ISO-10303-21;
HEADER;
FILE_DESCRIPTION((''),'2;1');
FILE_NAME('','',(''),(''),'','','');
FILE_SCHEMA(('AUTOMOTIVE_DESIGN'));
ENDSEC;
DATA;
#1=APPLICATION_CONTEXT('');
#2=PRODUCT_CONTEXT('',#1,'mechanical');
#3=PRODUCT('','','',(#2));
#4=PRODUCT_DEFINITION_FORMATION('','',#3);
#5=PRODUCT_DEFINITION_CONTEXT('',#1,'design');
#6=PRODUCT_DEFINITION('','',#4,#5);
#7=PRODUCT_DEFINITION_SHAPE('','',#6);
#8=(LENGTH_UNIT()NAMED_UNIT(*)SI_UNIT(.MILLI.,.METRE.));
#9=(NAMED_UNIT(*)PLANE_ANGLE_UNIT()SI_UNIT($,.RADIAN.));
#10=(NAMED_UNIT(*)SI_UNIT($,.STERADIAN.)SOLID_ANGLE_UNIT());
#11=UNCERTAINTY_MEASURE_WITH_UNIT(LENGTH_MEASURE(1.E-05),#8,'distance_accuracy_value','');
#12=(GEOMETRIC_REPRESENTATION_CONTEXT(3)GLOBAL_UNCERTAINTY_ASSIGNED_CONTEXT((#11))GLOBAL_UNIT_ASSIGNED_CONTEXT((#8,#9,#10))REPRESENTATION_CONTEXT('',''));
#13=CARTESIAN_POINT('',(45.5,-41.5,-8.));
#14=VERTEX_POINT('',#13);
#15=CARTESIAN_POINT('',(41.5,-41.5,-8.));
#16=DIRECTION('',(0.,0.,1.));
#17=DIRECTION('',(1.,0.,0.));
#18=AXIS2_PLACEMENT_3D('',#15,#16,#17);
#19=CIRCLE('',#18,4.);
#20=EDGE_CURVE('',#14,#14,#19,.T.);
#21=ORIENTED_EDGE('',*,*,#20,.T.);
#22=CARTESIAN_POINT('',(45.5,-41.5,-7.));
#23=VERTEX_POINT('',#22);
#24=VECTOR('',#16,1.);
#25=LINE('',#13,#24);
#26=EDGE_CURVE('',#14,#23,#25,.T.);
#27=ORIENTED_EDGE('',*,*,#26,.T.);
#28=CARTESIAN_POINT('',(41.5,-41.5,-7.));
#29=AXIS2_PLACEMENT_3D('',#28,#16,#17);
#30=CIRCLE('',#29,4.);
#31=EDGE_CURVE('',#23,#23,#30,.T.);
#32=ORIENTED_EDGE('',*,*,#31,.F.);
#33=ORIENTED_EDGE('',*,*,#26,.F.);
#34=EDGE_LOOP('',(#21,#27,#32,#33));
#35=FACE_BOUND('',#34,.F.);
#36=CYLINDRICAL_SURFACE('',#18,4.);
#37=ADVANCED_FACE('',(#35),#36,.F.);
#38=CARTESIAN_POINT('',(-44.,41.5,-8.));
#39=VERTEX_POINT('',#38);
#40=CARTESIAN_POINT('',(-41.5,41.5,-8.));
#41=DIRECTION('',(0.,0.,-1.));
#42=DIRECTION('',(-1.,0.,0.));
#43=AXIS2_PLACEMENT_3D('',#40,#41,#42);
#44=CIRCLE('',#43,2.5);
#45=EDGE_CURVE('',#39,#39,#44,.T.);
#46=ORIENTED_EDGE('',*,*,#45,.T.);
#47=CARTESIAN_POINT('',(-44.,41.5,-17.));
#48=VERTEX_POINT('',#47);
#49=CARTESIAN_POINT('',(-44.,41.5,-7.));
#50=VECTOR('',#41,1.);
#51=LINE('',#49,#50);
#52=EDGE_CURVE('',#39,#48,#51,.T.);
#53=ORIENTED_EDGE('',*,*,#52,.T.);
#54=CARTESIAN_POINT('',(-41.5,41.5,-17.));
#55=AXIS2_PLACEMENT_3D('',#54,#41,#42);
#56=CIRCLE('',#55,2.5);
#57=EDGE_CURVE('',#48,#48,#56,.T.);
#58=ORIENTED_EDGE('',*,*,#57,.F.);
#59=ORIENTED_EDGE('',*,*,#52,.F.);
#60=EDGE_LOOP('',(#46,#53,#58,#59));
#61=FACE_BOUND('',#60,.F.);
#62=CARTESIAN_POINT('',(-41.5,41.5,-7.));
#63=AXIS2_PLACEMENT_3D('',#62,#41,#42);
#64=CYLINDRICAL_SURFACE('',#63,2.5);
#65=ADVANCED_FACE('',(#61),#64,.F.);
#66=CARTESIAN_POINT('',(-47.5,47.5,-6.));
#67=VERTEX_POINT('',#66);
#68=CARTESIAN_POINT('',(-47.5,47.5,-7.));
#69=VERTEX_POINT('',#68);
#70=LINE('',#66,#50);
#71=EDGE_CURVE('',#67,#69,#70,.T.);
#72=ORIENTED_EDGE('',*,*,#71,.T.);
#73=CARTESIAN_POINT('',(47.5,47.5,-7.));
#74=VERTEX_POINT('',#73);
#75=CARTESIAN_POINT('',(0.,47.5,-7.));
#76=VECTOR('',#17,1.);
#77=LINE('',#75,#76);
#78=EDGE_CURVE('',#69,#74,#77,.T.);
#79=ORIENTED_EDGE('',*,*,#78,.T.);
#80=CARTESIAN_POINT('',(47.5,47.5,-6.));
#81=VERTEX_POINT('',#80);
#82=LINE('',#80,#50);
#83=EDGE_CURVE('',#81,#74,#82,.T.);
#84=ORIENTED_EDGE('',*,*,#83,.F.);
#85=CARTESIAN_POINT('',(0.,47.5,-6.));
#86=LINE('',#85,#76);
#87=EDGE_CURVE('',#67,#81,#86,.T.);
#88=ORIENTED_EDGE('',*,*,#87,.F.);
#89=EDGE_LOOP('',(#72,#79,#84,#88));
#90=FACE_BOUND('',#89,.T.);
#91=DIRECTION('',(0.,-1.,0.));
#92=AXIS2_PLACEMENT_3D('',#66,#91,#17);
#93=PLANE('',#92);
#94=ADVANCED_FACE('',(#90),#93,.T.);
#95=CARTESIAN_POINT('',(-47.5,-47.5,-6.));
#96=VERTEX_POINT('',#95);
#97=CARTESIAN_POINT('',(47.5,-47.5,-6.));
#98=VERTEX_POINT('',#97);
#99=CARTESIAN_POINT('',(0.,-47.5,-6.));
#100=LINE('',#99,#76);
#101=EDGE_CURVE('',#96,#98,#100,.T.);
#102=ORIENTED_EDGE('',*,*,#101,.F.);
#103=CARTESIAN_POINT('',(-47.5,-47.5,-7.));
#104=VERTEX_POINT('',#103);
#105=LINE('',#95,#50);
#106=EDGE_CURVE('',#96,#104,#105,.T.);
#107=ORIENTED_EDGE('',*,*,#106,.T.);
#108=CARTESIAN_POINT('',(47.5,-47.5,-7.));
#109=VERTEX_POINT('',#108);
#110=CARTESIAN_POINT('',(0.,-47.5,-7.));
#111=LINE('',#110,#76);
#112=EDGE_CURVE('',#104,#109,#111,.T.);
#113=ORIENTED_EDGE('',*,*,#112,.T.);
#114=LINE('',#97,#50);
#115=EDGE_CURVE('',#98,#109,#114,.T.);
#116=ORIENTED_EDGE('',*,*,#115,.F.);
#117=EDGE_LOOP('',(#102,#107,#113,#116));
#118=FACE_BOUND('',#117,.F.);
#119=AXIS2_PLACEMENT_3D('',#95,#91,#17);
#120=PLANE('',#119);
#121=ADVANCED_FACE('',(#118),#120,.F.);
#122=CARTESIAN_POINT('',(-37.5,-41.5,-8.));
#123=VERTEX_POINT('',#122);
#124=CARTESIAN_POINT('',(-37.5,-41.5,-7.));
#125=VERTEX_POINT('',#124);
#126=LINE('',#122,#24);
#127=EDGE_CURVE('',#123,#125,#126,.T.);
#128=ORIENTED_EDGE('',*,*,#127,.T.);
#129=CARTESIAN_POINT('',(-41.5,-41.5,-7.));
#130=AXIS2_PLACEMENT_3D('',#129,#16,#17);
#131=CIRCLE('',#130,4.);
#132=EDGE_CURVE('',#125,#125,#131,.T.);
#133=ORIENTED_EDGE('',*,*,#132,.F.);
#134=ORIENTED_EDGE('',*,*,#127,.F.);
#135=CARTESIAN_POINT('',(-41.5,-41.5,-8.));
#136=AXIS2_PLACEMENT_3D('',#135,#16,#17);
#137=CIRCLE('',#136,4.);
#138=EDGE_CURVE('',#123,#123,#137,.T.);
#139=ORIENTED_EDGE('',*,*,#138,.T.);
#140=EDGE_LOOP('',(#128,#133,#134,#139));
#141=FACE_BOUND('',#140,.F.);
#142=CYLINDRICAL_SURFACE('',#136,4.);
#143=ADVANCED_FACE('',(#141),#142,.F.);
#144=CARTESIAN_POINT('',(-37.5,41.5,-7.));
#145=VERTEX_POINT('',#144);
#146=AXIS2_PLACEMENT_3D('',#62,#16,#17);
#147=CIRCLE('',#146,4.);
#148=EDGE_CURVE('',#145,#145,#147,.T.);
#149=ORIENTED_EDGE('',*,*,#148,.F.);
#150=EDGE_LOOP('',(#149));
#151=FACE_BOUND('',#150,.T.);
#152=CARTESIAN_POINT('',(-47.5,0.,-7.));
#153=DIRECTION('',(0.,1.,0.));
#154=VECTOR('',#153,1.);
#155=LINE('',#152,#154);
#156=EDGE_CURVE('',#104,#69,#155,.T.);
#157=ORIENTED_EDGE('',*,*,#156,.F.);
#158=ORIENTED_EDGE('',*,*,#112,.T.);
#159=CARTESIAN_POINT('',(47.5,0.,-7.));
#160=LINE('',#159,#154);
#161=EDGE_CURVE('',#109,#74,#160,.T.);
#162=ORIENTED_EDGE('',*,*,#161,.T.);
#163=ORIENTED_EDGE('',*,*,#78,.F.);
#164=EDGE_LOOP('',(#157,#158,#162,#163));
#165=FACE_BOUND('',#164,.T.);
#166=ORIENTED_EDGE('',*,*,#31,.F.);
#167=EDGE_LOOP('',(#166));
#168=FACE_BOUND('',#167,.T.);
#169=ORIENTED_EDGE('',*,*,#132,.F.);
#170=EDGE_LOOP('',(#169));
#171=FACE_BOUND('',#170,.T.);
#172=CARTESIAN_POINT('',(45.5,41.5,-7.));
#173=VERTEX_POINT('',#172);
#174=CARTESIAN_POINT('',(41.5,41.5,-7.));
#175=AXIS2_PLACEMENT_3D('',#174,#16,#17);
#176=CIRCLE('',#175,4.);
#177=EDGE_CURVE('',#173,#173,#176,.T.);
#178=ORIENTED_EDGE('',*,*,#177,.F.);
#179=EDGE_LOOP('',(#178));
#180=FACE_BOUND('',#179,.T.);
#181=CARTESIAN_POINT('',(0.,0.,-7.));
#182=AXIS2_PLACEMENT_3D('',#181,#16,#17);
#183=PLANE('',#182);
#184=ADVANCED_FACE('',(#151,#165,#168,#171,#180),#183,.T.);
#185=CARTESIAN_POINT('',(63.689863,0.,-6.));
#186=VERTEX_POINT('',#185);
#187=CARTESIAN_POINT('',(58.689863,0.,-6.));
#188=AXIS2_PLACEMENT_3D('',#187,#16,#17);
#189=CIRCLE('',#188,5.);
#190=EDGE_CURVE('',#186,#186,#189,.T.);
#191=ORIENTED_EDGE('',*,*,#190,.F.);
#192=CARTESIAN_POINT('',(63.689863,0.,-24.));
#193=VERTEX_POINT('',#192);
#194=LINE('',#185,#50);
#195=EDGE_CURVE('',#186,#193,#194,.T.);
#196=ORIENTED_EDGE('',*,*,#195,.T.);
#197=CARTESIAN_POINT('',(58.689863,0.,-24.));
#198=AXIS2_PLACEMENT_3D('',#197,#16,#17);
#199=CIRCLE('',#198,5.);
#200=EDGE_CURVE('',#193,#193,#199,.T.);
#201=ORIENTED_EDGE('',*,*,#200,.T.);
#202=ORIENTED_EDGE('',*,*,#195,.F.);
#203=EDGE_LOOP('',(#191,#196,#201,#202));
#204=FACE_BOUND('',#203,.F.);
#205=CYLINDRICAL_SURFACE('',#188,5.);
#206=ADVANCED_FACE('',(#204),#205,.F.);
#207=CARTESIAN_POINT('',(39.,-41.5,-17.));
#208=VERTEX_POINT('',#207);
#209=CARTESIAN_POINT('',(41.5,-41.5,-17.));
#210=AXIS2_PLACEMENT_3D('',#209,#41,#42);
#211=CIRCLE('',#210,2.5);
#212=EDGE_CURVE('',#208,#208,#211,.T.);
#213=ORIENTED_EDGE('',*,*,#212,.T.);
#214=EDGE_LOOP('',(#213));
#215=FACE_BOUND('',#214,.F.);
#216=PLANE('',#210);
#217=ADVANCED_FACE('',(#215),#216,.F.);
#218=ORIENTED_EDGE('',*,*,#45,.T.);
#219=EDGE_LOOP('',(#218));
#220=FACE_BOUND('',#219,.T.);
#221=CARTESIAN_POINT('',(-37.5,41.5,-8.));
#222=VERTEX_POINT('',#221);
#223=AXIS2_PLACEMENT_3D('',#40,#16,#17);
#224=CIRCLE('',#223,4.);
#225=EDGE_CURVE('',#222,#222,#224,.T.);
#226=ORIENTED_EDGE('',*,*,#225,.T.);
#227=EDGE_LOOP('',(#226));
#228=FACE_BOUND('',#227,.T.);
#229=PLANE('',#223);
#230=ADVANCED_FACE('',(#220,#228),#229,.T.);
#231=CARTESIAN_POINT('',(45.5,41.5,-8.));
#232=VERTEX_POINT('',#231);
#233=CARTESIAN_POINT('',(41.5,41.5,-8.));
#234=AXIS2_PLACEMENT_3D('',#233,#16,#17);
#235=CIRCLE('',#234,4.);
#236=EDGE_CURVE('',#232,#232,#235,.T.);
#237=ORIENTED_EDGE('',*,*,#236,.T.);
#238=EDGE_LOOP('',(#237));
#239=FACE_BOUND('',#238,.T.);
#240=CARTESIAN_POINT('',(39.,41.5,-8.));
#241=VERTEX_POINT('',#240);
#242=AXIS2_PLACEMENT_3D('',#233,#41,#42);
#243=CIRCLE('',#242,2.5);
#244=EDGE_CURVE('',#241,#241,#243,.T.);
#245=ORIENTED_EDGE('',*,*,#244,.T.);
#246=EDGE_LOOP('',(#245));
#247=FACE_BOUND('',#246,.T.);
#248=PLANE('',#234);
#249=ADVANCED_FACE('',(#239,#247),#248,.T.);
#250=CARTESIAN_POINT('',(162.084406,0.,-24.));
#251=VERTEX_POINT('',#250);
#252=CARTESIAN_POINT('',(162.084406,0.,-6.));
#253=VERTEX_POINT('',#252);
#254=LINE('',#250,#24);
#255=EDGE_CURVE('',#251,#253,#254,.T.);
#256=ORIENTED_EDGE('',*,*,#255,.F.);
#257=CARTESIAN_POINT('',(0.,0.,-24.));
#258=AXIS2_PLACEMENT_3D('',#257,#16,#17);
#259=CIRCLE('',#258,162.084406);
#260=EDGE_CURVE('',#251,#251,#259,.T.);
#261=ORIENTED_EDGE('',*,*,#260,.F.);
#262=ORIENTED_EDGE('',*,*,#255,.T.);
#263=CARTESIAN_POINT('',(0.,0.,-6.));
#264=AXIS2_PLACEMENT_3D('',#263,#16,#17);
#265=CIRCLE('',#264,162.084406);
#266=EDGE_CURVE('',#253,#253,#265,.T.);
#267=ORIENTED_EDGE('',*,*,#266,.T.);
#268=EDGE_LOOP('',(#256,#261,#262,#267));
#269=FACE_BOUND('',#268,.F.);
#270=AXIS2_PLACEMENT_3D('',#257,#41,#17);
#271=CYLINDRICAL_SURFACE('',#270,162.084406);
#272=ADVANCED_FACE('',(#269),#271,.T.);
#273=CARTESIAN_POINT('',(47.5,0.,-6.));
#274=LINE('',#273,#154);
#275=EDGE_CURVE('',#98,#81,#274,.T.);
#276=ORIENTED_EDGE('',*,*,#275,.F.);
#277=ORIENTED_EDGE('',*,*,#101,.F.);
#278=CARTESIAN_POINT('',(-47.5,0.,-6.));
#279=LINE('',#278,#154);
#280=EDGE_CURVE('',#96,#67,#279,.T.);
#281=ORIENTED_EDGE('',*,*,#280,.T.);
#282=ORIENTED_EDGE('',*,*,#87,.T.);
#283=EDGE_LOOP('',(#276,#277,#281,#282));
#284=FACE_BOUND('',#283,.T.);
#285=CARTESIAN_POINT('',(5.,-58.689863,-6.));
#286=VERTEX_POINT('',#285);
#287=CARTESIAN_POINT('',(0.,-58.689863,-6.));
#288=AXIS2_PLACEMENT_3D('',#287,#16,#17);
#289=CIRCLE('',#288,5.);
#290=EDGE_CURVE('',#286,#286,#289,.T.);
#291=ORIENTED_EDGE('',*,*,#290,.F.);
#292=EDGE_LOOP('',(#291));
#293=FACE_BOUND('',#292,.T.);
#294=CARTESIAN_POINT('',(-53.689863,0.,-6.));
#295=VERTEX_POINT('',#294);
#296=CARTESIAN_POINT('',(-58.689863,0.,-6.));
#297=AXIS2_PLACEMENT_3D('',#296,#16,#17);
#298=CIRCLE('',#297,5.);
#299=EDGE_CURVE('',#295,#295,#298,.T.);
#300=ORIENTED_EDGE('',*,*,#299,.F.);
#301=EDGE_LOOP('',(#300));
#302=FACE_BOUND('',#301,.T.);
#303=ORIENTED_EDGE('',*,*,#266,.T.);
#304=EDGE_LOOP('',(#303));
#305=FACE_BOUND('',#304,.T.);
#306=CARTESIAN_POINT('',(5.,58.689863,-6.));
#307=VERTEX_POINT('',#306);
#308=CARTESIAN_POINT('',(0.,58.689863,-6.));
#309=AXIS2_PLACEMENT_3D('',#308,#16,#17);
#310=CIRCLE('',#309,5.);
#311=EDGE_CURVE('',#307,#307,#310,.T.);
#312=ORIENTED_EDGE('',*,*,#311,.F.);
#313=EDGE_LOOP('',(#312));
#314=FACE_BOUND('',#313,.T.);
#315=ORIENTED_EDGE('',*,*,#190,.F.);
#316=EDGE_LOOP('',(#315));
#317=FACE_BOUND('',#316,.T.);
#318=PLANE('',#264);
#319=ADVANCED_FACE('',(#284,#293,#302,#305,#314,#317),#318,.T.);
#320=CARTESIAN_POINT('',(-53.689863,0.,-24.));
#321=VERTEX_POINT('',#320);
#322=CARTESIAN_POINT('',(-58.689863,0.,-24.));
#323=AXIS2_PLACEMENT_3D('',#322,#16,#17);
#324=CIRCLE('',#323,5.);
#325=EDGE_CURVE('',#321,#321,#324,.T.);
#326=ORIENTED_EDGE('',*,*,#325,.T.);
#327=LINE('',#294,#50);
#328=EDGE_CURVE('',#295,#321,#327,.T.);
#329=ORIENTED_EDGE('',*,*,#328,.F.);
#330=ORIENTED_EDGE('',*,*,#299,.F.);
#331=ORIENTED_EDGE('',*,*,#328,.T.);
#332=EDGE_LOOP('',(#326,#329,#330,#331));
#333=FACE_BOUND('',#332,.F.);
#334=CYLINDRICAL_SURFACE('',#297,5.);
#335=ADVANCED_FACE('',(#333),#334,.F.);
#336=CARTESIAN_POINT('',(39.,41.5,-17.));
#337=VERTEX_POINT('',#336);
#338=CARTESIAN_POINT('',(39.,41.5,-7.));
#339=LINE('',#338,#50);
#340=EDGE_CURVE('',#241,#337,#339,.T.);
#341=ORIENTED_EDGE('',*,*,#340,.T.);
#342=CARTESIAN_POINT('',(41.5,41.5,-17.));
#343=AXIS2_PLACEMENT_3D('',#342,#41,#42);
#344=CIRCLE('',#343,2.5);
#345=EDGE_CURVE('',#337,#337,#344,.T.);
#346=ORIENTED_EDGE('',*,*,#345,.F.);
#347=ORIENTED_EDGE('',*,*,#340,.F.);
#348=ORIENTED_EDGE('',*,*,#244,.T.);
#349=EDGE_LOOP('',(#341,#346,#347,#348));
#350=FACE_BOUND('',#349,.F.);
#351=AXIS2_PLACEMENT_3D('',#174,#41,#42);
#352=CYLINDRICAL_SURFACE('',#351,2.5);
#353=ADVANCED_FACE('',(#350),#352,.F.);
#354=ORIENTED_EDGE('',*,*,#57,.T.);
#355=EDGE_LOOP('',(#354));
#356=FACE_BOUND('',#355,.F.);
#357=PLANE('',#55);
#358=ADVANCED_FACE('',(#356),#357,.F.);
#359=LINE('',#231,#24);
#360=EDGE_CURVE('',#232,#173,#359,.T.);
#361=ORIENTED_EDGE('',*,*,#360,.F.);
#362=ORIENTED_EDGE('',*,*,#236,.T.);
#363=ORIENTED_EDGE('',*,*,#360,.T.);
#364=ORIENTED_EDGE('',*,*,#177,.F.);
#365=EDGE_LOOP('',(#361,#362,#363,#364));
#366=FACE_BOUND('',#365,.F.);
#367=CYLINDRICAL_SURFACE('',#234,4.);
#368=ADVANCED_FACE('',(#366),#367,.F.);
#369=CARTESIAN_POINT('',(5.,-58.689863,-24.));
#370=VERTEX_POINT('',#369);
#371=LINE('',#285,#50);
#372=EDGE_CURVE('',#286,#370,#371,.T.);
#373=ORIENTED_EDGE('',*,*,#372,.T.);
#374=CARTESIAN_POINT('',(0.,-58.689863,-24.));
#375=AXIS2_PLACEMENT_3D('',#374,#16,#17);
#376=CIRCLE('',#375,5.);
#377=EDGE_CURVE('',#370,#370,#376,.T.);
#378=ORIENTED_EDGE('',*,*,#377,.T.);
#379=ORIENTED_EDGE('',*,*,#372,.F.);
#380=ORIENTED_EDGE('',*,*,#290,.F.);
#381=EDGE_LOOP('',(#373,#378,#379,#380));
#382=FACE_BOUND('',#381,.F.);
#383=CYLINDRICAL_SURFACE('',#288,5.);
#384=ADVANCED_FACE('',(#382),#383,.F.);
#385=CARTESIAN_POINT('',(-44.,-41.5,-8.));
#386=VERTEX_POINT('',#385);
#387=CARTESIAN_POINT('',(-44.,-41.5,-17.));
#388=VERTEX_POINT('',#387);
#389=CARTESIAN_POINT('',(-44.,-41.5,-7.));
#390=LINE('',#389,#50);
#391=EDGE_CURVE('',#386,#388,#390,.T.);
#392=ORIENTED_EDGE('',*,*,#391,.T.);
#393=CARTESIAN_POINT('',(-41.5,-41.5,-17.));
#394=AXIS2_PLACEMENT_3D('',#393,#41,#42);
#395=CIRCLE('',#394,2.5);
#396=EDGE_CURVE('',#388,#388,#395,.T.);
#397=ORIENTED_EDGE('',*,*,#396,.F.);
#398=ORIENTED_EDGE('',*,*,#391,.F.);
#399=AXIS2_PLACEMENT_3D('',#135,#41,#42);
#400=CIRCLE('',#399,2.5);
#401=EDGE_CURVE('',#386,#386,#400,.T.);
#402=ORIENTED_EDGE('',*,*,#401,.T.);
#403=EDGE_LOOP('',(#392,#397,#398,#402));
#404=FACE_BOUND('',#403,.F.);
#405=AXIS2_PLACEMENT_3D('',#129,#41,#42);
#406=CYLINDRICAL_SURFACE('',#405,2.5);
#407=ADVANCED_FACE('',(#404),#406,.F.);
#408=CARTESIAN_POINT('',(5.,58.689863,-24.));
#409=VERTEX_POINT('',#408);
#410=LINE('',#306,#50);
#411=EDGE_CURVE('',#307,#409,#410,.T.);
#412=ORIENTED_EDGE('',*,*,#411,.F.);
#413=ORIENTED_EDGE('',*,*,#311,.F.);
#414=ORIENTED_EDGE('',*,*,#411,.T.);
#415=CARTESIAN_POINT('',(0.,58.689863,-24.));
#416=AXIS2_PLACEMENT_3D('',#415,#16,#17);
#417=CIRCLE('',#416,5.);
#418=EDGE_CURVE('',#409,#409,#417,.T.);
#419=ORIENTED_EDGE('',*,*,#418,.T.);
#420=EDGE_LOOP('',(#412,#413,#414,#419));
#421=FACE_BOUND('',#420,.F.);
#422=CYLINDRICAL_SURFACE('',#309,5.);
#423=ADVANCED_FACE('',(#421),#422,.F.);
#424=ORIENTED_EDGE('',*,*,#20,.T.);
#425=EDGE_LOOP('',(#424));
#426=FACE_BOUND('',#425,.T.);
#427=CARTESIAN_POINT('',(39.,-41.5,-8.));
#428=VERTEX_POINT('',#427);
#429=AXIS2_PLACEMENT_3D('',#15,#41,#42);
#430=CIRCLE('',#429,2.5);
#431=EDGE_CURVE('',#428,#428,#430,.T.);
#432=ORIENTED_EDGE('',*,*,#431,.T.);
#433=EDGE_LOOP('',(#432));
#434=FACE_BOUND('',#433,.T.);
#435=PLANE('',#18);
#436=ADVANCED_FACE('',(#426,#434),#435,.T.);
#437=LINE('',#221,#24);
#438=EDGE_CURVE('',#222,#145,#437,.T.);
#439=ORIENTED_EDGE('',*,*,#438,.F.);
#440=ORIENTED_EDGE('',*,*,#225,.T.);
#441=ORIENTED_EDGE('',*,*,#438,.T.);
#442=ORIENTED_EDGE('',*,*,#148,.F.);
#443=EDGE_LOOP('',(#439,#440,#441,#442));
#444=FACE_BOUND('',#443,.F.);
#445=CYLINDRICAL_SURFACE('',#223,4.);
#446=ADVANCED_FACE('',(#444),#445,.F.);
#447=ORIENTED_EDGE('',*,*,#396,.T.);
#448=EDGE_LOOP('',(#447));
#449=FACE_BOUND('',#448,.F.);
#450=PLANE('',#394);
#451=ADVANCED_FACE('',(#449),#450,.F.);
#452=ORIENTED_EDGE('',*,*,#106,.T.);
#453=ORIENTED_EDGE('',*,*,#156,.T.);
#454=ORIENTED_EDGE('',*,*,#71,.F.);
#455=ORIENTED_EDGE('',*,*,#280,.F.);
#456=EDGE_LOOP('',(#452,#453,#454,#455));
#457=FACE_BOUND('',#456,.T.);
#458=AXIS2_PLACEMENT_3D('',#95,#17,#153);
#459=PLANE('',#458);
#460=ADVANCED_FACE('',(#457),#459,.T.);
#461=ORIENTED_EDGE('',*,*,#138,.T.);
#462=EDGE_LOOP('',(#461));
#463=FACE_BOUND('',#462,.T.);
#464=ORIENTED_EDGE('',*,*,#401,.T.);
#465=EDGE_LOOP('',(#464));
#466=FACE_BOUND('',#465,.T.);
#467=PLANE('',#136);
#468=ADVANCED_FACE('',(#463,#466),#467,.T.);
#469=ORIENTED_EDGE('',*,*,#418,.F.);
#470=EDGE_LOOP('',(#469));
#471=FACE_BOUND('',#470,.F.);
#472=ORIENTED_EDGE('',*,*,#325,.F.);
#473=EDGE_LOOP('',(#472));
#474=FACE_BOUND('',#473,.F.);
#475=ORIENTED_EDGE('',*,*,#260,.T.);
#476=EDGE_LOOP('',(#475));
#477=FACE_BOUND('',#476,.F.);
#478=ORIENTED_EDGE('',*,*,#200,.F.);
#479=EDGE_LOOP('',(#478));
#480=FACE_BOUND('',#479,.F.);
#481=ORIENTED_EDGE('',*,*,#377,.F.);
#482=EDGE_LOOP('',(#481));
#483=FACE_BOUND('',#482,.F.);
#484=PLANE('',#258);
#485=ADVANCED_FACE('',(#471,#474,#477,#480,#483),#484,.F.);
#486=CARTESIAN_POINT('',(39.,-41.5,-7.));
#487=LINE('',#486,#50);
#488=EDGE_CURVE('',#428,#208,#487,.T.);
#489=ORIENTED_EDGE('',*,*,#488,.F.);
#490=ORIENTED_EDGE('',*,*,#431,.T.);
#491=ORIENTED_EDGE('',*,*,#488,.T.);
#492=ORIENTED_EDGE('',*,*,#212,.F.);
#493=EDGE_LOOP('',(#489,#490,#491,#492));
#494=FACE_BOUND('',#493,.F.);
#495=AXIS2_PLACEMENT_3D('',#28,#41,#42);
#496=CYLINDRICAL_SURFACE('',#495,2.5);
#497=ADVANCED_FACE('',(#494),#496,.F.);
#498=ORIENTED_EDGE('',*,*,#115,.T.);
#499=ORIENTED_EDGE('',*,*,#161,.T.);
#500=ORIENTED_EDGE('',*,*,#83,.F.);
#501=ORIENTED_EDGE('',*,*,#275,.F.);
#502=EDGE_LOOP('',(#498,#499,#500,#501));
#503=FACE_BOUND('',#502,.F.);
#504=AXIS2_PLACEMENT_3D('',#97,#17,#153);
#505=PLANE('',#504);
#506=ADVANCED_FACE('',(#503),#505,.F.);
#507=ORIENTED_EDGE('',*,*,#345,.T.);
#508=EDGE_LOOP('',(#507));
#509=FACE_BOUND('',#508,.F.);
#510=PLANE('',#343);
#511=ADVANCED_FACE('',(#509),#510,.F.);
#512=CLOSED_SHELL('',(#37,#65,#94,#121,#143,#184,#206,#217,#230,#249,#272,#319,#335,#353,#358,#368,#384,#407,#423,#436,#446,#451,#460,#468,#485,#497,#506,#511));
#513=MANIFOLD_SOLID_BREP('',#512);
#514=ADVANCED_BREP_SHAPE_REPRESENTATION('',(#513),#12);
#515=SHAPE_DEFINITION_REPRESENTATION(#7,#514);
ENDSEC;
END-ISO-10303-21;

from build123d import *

# Parameters (mm, degrees)
SKETCH003_R      = 162.0844056183
PAD002_DEPTH     = 18
SKETCH009_W      = 95
SKETCH009_H      = 95
POCKET002_DEPTH  = 1
HOLE_D           = 5
HOLE_DEPTH       = 10
HOLE_CBORE_D     = 8
HOLE_CBORE_DEPTH = 1
SKETCH011_R      = 5
POCKET003_DEPTH  = 18.001


with BuildPart() as part:
    # Sketch003 → Pad002 (new body)
    with BuildSketch(Plane.XY):
        Circle(SKETCH003_R)
    extrude(amount=PAD002_DEPTH)

    # Sketch009 (on Face3 of Pad002) → Pocket002 (cut)
    with BuildSketch(Plane.XY.offset(18)):
        Rectangle(SKETCH009_W, SKETCH009_H)
    extrude(amount=-POCKET002_DEPTH, mode=Mode.SUBTRACT)

    # Hole
    with Locations(Plane.XY.offset(17)):
        with Locations((-41.5, 41.5), (41.5, 41.5), (-41.5, -41.5), (41.5, -41.5)):
            CounterBoreHole(HOLE_D / 2, HOLE_CBORE_D / 2, HOLE_CBORE_DEPTH, depth=HOLE_DEPTH)

    # Sketch011 (on Face3 of Hole) → Pocket003 (cut, through all)
    with BuildSketch(Plane.XY.offset(18)):
        with Locations((-58.6898628385, 0)):
            Circle(SKETCH011_R)
        with Locations((0, 58.6898628385)):
            Circle(SKETCH011_R)
        with Locations((58.6898628385, 0)):
            Circle(SKETCH011_R)
        with Locations((0, -58.6898628385)):
            Circle(SKETCH011_R)
    extrude(amount=-POCKET003_DEPTH, mode=Mode.SUBTRACT)


with BuildPart() as part_1:
    # Clone004 placement: moved
    add(part.part.moved(Location((0, 0, -24))))


solid = part_1.part
